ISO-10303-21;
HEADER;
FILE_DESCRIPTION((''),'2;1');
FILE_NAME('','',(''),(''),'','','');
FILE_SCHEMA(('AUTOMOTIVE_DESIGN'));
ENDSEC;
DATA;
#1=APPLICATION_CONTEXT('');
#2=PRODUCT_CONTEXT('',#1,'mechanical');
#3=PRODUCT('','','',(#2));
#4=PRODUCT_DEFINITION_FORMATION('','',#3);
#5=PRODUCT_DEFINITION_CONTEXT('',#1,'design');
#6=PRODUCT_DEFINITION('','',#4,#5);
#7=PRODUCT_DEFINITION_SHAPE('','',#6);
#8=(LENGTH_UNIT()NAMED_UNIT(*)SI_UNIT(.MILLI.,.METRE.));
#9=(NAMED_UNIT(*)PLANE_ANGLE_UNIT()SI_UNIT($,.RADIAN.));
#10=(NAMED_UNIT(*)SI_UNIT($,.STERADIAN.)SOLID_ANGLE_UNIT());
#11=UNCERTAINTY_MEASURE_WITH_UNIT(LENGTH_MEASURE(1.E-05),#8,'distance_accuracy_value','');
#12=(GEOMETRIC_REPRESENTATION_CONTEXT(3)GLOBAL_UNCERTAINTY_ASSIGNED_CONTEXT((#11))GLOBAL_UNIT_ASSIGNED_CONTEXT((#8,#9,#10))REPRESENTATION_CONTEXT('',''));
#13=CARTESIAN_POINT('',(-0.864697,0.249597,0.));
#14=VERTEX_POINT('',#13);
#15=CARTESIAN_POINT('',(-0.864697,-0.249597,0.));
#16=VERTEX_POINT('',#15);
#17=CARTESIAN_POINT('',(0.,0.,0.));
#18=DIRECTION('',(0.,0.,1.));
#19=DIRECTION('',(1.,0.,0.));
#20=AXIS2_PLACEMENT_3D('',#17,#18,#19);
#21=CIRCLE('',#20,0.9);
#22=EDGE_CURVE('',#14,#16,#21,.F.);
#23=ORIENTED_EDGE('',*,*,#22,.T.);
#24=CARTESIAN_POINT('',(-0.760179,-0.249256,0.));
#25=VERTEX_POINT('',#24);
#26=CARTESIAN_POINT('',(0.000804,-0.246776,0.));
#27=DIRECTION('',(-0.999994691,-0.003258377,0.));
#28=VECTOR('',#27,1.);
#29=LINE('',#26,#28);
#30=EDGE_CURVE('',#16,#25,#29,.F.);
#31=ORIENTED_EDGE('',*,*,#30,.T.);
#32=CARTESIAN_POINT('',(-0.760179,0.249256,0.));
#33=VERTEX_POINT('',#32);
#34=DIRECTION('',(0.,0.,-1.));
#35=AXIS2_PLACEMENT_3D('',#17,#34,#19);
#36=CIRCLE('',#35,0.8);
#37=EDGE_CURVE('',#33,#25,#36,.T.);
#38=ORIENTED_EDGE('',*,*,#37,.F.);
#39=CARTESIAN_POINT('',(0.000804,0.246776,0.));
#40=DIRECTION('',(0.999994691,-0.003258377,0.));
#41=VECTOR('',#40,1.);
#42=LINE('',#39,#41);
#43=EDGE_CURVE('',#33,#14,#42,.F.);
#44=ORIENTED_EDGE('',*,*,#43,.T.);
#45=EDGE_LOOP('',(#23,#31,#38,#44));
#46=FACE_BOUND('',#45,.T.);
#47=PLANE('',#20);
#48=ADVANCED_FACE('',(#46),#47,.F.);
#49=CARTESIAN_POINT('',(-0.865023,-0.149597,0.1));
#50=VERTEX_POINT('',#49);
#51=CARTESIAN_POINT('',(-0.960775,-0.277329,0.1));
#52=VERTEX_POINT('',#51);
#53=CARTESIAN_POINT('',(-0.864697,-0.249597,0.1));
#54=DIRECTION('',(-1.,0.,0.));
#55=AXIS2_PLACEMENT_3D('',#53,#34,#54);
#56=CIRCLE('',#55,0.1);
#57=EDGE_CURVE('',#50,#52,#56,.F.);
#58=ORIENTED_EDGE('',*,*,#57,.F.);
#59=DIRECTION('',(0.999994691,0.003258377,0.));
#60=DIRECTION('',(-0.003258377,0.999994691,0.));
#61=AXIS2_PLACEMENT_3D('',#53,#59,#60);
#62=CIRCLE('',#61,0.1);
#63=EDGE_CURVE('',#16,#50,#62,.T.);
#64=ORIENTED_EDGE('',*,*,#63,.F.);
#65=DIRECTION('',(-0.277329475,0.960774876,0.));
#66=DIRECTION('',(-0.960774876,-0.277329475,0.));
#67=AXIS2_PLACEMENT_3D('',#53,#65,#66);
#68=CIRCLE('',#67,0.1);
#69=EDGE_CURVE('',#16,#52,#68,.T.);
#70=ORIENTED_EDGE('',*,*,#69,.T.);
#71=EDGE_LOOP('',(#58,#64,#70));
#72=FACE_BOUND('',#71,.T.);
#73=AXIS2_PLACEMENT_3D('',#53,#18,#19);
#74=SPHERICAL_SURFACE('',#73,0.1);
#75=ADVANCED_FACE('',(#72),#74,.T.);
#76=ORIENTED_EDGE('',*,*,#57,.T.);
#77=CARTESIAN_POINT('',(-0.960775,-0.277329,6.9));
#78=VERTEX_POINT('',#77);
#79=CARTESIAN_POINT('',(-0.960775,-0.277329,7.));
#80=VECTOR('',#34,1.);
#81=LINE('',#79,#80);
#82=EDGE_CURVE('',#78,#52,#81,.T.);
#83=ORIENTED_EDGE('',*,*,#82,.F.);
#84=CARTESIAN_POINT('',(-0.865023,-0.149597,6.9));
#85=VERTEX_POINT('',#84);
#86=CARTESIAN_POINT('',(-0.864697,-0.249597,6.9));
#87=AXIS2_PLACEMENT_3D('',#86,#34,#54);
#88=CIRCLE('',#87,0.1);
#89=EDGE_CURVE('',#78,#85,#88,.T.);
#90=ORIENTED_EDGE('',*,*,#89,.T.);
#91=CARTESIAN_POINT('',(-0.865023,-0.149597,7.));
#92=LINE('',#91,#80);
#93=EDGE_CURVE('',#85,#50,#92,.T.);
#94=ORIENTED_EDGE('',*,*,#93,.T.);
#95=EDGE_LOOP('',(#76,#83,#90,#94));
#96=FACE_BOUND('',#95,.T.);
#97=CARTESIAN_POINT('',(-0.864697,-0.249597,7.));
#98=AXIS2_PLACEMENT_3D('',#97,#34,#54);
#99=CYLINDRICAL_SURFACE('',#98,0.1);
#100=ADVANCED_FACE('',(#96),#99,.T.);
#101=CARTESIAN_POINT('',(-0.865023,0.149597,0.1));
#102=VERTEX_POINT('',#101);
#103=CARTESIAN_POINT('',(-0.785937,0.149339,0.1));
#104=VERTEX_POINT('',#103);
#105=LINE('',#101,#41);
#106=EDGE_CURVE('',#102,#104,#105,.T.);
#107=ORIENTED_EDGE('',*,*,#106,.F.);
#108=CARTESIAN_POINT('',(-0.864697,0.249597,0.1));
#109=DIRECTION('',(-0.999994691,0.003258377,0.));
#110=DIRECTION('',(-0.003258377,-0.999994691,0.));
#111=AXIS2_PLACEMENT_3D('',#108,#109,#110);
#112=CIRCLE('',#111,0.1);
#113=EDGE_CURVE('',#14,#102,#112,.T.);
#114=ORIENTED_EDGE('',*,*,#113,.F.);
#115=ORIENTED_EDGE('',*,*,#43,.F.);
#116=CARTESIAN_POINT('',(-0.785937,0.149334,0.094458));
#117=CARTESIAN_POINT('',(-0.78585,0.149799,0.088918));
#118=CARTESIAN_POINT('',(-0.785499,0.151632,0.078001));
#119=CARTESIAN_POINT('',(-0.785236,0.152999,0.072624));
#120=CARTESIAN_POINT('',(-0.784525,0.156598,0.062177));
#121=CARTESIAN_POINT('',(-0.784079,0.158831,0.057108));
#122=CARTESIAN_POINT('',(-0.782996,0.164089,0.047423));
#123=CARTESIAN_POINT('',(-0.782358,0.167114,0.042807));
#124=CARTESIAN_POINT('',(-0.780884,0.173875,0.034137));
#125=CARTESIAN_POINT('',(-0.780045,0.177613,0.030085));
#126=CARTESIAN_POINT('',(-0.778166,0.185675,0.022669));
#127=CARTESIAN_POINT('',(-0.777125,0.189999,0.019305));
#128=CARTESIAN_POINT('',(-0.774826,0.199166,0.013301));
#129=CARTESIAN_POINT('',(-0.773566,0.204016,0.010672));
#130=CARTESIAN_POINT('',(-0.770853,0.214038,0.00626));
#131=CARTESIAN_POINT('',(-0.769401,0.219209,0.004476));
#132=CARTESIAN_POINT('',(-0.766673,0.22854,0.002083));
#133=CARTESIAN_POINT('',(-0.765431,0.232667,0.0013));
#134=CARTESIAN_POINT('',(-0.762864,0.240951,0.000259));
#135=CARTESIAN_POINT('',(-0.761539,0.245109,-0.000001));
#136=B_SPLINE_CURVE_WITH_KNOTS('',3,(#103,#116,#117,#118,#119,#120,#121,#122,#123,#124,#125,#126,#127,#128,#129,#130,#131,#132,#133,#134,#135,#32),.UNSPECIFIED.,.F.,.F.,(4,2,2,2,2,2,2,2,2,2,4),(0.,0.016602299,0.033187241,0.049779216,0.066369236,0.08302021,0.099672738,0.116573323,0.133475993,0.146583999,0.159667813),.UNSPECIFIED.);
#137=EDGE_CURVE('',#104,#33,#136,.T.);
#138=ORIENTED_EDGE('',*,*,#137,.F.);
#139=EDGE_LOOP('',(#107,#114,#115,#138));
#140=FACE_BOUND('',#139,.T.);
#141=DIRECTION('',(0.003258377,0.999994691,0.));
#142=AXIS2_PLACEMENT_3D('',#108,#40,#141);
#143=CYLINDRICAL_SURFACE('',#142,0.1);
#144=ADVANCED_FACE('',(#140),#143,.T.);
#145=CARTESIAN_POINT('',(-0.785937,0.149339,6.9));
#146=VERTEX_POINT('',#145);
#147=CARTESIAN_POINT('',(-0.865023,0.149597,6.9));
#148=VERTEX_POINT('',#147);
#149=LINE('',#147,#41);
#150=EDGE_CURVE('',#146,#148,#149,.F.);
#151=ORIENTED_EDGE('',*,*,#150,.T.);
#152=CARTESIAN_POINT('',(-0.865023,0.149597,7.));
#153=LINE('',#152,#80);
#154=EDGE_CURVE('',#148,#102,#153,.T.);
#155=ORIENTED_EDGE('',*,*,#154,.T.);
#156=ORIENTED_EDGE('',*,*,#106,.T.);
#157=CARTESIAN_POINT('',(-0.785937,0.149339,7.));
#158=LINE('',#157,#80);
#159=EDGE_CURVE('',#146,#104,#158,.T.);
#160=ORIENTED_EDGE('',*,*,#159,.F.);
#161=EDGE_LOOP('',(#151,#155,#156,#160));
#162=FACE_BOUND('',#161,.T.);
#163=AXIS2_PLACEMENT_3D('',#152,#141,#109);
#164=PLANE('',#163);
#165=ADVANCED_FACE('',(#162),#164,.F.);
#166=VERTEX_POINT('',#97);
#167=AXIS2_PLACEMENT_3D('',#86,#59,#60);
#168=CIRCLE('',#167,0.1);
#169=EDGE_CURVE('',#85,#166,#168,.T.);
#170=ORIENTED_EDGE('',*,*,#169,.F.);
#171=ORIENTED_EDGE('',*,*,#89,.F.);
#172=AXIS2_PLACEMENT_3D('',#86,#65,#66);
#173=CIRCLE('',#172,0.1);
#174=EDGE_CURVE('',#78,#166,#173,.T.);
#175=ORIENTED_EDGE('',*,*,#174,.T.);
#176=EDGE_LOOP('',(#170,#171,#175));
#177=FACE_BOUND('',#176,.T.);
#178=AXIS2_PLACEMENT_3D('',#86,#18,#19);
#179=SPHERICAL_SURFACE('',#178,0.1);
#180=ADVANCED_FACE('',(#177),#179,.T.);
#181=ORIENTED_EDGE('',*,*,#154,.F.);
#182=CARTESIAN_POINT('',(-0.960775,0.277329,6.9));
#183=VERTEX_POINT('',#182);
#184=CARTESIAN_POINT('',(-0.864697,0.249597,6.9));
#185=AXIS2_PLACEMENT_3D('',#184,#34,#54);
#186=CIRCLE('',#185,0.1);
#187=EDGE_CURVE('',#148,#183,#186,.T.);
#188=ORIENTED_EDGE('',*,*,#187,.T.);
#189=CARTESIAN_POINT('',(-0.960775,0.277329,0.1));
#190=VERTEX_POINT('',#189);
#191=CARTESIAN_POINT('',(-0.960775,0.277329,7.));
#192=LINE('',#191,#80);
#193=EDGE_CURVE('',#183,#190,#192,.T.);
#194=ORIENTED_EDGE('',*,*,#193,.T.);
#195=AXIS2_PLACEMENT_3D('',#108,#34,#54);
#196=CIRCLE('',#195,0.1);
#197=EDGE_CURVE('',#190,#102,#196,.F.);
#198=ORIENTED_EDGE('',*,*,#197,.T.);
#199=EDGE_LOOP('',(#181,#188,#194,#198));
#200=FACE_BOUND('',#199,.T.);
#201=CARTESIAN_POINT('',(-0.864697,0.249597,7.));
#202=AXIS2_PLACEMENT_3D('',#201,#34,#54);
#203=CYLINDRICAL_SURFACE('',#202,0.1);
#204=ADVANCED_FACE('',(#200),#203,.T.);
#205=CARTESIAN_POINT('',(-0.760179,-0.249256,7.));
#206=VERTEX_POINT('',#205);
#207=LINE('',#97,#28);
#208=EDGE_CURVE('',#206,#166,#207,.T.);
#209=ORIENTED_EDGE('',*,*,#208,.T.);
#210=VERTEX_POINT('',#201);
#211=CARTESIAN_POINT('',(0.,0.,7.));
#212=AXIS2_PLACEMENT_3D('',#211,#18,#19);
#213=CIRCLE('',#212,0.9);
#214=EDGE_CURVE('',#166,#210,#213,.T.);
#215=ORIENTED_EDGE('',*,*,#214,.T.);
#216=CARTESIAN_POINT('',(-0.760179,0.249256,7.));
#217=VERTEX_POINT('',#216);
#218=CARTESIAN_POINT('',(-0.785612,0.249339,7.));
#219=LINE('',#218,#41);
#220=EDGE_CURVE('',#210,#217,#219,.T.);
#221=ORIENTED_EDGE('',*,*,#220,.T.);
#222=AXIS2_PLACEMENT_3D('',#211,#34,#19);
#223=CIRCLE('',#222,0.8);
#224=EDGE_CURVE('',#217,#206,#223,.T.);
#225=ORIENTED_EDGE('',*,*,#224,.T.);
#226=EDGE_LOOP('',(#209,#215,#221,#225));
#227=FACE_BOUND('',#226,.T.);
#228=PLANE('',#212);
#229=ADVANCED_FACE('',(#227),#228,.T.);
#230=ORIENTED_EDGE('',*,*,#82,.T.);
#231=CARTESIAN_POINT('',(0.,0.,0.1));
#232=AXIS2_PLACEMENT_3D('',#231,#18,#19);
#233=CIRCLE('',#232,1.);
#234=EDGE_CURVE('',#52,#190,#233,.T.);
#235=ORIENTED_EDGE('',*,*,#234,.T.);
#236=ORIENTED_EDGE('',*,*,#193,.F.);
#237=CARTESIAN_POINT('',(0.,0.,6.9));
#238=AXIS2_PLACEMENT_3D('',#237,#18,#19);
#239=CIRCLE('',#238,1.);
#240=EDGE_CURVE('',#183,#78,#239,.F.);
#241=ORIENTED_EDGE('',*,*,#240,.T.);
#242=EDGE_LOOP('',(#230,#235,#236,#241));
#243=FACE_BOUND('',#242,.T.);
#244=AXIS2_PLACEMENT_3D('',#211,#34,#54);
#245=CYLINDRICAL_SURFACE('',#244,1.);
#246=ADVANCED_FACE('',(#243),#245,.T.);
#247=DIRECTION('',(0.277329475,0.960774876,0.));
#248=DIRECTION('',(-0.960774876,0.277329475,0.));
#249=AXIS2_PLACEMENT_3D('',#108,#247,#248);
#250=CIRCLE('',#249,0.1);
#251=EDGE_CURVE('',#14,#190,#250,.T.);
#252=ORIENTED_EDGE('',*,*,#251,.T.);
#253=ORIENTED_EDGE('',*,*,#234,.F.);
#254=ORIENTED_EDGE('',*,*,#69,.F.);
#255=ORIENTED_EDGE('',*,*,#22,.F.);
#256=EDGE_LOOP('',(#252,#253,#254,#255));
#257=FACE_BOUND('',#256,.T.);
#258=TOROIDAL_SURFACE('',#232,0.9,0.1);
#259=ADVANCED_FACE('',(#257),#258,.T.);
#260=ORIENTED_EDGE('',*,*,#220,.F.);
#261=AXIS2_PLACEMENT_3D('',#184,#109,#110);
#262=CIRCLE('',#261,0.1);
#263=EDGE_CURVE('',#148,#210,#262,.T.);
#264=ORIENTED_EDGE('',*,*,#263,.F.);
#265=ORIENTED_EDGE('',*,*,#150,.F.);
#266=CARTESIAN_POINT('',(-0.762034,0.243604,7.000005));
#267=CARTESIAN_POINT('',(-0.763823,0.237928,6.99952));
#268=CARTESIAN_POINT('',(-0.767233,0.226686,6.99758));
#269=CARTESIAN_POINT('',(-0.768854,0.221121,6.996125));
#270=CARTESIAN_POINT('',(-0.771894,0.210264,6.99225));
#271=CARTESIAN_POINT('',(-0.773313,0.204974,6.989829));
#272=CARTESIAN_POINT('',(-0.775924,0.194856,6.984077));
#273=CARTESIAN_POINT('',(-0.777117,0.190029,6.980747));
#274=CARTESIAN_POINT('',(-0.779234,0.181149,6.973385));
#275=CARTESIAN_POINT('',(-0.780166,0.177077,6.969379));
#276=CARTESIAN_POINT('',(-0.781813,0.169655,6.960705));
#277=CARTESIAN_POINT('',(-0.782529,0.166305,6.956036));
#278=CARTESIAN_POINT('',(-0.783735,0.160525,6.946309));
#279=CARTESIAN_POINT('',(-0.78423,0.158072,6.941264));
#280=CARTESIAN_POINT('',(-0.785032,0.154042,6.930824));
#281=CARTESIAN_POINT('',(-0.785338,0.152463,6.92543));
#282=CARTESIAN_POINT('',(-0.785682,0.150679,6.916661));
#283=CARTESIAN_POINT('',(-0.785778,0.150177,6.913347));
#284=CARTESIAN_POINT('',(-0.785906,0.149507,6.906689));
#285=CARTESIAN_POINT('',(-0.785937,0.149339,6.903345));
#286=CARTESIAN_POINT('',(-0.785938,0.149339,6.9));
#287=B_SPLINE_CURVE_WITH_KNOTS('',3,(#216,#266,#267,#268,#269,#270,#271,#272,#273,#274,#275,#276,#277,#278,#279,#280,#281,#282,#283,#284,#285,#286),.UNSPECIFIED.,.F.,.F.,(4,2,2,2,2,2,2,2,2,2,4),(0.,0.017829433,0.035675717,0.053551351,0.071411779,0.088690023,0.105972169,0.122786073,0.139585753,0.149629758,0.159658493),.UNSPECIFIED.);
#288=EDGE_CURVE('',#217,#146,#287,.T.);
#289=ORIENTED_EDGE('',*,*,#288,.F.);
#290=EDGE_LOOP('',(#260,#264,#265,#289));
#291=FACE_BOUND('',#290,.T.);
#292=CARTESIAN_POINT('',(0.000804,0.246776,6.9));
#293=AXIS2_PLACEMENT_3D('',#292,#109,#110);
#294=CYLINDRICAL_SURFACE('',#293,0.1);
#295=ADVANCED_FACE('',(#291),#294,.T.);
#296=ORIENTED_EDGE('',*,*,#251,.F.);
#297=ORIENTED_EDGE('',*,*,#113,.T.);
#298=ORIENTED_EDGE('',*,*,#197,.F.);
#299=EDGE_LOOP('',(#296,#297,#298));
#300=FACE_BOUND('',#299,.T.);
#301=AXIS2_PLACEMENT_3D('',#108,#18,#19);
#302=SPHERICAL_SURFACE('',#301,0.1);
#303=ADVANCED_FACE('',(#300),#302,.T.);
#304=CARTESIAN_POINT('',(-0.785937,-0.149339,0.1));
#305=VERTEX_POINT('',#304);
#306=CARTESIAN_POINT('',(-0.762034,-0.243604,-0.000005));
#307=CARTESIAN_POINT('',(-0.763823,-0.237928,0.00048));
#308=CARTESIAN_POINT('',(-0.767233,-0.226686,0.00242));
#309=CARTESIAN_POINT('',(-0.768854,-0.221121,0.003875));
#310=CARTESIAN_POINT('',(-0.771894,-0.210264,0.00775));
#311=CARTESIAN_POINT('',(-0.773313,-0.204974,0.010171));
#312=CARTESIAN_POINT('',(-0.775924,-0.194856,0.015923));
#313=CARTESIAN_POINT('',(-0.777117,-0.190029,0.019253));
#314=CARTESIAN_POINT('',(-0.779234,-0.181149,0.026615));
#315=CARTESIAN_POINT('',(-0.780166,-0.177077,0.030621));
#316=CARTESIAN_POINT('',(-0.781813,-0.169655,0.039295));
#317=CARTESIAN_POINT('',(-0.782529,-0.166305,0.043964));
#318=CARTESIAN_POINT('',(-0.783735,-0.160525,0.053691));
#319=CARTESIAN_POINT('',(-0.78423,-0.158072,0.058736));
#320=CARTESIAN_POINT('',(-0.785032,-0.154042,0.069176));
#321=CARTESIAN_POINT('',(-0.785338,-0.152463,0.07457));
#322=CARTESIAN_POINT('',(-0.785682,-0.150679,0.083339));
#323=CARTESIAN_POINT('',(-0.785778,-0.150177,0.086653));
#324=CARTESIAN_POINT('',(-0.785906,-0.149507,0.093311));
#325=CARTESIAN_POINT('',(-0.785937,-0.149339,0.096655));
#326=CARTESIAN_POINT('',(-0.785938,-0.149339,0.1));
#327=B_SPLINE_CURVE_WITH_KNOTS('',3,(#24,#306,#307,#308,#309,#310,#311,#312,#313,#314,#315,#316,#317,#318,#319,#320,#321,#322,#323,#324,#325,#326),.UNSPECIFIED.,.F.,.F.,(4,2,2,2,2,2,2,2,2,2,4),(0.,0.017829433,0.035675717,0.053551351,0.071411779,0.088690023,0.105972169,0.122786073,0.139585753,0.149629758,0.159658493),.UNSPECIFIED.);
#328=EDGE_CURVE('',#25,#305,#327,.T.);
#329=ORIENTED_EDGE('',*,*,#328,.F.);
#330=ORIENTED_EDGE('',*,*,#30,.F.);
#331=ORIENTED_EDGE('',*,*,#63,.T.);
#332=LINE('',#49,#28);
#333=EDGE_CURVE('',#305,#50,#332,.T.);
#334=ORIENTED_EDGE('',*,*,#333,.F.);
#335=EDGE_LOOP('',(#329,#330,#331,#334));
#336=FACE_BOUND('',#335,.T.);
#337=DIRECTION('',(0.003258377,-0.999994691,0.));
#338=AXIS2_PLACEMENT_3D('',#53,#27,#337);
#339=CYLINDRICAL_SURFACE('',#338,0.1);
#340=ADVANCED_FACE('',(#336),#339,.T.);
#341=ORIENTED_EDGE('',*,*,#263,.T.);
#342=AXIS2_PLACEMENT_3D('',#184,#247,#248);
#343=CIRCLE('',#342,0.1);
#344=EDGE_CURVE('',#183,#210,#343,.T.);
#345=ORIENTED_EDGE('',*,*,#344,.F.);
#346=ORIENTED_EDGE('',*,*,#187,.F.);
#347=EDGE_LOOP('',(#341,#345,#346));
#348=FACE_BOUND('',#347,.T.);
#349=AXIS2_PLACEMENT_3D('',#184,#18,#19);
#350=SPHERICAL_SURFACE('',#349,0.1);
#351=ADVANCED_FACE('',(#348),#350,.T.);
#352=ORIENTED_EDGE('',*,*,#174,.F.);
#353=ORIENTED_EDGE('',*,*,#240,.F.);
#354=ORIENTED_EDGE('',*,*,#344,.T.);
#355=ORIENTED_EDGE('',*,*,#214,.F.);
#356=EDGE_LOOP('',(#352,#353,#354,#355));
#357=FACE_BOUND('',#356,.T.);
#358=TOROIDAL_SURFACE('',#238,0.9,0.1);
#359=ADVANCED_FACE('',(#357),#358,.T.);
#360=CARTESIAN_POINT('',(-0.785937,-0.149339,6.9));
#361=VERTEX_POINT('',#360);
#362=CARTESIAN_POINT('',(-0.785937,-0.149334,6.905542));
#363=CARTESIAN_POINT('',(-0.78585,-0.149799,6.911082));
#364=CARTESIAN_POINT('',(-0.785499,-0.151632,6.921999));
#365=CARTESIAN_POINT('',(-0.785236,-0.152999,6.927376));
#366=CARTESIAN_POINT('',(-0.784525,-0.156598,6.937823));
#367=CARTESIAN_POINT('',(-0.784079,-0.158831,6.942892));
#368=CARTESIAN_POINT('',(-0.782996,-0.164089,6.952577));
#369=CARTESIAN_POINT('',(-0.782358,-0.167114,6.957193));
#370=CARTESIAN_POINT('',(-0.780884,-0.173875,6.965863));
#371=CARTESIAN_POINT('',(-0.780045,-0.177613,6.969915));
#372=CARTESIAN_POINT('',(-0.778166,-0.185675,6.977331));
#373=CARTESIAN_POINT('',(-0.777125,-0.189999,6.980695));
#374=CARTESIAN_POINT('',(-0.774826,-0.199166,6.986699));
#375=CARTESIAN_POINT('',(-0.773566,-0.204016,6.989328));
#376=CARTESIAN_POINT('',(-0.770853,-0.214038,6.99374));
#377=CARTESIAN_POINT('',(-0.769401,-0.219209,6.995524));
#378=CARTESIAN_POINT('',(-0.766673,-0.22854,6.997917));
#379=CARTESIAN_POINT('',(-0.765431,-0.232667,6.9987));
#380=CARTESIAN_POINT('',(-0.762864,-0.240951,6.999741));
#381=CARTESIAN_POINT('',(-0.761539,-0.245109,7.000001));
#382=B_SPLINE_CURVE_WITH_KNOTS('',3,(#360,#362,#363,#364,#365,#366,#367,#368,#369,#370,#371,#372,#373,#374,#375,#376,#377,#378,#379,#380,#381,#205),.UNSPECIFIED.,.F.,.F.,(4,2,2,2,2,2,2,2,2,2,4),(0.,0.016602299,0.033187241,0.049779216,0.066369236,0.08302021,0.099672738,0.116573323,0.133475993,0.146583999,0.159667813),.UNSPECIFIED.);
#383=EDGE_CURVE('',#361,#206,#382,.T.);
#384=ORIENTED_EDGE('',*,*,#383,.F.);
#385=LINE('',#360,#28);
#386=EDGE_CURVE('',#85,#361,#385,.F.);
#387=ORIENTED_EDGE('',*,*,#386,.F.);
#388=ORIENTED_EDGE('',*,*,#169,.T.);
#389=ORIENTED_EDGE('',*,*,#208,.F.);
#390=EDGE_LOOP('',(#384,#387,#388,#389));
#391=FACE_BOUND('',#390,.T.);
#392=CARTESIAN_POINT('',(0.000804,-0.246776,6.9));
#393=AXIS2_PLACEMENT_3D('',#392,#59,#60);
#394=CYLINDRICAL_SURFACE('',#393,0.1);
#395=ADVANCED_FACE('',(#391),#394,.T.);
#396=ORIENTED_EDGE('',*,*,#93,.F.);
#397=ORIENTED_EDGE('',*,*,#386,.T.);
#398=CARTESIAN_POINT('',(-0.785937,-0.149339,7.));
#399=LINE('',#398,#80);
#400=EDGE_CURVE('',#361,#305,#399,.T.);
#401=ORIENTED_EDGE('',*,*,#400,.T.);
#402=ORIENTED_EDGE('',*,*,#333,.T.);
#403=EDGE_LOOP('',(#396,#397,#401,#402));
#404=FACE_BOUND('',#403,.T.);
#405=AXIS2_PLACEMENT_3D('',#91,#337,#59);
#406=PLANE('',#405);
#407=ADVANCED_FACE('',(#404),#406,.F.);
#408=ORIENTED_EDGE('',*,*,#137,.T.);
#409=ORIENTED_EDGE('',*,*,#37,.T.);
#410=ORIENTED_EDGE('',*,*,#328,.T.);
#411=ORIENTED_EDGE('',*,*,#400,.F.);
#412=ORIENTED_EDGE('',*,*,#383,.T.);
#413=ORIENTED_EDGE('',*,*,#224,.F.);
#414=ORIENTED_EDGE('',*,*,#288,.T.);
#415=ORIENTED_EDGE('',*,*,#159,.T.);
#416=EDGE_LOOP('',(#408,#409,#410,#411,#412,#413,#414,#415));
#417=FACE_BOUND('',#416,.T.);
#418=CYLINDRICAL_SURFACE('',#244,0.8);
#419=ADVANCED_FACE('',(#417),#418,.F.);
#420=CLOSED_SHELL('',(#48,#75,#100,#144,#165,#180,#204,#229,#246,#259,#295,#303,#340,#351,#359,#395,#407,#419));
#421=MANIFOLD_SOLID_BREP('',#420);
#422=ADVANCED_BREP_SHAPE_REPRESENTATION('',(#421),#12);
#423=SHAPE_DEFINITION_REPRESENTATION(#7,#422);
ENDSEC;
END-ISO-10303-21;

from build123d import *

# Parameters (mm, degrees)
RESSALTO_EXTRUS_O1_DEPTH = 7
FILETE1_R                = 0.1


with BuildPart() as part:
    # Esboço1 → Ressalto-extrusão1 (new body)
    with BuildSketch(Plane.XY):
        with BuildLine():
            Line((-0.865023226, 0.149597058), (-0.7859375, 0.149339366))
            ThreePointArc((-0.7859375, 0.149339366), (0.8, 0), (-0.7859375, -0.149339366))
            Line((-0.7859375, -0.149339366), (-0.865023226, -0.149597058))
            ThreePointArc((-0.865023226, -0.149597058), (-0.944711717, -0.189615637), (-0.960774876, -0.277329475))
            ThreePointArc((-0.960774876, -0.277329475), (1, 0), (-0.960774876, 0.277329475))
            ThreePointArc((-0.960774876, 0.277329475), (-0.944711717, 0.189615637), (-0.865023226, 0.149597058))
        make_face()
    extrude(amount=RESSALTO_EXTRUS_O1_DEPTH)

    # Filete1
    filete1_edges = [part.edges().sort_by_distance(p)[0] for p in [
        (-0.944711717, -0.189615637, 7),
        (1, 0, 7),
        (-0.944711717, 0.189615637, 7),
        (-0.825480363, 0.149468212, 7),
        (-0.825480363, 0.149468212, 0),
        (-0.944711717, 0.189615637, 0),
        (1, 0, 0),
        (-0.825480363, -0.149468212, 7),
        (-0.944711717, -0.189615637, 0),
        (-0.825480363, -0.149468212, 0),
    ]]
    fillet(filete1_edges, radius=FILETE1_R)


solid = part.part
